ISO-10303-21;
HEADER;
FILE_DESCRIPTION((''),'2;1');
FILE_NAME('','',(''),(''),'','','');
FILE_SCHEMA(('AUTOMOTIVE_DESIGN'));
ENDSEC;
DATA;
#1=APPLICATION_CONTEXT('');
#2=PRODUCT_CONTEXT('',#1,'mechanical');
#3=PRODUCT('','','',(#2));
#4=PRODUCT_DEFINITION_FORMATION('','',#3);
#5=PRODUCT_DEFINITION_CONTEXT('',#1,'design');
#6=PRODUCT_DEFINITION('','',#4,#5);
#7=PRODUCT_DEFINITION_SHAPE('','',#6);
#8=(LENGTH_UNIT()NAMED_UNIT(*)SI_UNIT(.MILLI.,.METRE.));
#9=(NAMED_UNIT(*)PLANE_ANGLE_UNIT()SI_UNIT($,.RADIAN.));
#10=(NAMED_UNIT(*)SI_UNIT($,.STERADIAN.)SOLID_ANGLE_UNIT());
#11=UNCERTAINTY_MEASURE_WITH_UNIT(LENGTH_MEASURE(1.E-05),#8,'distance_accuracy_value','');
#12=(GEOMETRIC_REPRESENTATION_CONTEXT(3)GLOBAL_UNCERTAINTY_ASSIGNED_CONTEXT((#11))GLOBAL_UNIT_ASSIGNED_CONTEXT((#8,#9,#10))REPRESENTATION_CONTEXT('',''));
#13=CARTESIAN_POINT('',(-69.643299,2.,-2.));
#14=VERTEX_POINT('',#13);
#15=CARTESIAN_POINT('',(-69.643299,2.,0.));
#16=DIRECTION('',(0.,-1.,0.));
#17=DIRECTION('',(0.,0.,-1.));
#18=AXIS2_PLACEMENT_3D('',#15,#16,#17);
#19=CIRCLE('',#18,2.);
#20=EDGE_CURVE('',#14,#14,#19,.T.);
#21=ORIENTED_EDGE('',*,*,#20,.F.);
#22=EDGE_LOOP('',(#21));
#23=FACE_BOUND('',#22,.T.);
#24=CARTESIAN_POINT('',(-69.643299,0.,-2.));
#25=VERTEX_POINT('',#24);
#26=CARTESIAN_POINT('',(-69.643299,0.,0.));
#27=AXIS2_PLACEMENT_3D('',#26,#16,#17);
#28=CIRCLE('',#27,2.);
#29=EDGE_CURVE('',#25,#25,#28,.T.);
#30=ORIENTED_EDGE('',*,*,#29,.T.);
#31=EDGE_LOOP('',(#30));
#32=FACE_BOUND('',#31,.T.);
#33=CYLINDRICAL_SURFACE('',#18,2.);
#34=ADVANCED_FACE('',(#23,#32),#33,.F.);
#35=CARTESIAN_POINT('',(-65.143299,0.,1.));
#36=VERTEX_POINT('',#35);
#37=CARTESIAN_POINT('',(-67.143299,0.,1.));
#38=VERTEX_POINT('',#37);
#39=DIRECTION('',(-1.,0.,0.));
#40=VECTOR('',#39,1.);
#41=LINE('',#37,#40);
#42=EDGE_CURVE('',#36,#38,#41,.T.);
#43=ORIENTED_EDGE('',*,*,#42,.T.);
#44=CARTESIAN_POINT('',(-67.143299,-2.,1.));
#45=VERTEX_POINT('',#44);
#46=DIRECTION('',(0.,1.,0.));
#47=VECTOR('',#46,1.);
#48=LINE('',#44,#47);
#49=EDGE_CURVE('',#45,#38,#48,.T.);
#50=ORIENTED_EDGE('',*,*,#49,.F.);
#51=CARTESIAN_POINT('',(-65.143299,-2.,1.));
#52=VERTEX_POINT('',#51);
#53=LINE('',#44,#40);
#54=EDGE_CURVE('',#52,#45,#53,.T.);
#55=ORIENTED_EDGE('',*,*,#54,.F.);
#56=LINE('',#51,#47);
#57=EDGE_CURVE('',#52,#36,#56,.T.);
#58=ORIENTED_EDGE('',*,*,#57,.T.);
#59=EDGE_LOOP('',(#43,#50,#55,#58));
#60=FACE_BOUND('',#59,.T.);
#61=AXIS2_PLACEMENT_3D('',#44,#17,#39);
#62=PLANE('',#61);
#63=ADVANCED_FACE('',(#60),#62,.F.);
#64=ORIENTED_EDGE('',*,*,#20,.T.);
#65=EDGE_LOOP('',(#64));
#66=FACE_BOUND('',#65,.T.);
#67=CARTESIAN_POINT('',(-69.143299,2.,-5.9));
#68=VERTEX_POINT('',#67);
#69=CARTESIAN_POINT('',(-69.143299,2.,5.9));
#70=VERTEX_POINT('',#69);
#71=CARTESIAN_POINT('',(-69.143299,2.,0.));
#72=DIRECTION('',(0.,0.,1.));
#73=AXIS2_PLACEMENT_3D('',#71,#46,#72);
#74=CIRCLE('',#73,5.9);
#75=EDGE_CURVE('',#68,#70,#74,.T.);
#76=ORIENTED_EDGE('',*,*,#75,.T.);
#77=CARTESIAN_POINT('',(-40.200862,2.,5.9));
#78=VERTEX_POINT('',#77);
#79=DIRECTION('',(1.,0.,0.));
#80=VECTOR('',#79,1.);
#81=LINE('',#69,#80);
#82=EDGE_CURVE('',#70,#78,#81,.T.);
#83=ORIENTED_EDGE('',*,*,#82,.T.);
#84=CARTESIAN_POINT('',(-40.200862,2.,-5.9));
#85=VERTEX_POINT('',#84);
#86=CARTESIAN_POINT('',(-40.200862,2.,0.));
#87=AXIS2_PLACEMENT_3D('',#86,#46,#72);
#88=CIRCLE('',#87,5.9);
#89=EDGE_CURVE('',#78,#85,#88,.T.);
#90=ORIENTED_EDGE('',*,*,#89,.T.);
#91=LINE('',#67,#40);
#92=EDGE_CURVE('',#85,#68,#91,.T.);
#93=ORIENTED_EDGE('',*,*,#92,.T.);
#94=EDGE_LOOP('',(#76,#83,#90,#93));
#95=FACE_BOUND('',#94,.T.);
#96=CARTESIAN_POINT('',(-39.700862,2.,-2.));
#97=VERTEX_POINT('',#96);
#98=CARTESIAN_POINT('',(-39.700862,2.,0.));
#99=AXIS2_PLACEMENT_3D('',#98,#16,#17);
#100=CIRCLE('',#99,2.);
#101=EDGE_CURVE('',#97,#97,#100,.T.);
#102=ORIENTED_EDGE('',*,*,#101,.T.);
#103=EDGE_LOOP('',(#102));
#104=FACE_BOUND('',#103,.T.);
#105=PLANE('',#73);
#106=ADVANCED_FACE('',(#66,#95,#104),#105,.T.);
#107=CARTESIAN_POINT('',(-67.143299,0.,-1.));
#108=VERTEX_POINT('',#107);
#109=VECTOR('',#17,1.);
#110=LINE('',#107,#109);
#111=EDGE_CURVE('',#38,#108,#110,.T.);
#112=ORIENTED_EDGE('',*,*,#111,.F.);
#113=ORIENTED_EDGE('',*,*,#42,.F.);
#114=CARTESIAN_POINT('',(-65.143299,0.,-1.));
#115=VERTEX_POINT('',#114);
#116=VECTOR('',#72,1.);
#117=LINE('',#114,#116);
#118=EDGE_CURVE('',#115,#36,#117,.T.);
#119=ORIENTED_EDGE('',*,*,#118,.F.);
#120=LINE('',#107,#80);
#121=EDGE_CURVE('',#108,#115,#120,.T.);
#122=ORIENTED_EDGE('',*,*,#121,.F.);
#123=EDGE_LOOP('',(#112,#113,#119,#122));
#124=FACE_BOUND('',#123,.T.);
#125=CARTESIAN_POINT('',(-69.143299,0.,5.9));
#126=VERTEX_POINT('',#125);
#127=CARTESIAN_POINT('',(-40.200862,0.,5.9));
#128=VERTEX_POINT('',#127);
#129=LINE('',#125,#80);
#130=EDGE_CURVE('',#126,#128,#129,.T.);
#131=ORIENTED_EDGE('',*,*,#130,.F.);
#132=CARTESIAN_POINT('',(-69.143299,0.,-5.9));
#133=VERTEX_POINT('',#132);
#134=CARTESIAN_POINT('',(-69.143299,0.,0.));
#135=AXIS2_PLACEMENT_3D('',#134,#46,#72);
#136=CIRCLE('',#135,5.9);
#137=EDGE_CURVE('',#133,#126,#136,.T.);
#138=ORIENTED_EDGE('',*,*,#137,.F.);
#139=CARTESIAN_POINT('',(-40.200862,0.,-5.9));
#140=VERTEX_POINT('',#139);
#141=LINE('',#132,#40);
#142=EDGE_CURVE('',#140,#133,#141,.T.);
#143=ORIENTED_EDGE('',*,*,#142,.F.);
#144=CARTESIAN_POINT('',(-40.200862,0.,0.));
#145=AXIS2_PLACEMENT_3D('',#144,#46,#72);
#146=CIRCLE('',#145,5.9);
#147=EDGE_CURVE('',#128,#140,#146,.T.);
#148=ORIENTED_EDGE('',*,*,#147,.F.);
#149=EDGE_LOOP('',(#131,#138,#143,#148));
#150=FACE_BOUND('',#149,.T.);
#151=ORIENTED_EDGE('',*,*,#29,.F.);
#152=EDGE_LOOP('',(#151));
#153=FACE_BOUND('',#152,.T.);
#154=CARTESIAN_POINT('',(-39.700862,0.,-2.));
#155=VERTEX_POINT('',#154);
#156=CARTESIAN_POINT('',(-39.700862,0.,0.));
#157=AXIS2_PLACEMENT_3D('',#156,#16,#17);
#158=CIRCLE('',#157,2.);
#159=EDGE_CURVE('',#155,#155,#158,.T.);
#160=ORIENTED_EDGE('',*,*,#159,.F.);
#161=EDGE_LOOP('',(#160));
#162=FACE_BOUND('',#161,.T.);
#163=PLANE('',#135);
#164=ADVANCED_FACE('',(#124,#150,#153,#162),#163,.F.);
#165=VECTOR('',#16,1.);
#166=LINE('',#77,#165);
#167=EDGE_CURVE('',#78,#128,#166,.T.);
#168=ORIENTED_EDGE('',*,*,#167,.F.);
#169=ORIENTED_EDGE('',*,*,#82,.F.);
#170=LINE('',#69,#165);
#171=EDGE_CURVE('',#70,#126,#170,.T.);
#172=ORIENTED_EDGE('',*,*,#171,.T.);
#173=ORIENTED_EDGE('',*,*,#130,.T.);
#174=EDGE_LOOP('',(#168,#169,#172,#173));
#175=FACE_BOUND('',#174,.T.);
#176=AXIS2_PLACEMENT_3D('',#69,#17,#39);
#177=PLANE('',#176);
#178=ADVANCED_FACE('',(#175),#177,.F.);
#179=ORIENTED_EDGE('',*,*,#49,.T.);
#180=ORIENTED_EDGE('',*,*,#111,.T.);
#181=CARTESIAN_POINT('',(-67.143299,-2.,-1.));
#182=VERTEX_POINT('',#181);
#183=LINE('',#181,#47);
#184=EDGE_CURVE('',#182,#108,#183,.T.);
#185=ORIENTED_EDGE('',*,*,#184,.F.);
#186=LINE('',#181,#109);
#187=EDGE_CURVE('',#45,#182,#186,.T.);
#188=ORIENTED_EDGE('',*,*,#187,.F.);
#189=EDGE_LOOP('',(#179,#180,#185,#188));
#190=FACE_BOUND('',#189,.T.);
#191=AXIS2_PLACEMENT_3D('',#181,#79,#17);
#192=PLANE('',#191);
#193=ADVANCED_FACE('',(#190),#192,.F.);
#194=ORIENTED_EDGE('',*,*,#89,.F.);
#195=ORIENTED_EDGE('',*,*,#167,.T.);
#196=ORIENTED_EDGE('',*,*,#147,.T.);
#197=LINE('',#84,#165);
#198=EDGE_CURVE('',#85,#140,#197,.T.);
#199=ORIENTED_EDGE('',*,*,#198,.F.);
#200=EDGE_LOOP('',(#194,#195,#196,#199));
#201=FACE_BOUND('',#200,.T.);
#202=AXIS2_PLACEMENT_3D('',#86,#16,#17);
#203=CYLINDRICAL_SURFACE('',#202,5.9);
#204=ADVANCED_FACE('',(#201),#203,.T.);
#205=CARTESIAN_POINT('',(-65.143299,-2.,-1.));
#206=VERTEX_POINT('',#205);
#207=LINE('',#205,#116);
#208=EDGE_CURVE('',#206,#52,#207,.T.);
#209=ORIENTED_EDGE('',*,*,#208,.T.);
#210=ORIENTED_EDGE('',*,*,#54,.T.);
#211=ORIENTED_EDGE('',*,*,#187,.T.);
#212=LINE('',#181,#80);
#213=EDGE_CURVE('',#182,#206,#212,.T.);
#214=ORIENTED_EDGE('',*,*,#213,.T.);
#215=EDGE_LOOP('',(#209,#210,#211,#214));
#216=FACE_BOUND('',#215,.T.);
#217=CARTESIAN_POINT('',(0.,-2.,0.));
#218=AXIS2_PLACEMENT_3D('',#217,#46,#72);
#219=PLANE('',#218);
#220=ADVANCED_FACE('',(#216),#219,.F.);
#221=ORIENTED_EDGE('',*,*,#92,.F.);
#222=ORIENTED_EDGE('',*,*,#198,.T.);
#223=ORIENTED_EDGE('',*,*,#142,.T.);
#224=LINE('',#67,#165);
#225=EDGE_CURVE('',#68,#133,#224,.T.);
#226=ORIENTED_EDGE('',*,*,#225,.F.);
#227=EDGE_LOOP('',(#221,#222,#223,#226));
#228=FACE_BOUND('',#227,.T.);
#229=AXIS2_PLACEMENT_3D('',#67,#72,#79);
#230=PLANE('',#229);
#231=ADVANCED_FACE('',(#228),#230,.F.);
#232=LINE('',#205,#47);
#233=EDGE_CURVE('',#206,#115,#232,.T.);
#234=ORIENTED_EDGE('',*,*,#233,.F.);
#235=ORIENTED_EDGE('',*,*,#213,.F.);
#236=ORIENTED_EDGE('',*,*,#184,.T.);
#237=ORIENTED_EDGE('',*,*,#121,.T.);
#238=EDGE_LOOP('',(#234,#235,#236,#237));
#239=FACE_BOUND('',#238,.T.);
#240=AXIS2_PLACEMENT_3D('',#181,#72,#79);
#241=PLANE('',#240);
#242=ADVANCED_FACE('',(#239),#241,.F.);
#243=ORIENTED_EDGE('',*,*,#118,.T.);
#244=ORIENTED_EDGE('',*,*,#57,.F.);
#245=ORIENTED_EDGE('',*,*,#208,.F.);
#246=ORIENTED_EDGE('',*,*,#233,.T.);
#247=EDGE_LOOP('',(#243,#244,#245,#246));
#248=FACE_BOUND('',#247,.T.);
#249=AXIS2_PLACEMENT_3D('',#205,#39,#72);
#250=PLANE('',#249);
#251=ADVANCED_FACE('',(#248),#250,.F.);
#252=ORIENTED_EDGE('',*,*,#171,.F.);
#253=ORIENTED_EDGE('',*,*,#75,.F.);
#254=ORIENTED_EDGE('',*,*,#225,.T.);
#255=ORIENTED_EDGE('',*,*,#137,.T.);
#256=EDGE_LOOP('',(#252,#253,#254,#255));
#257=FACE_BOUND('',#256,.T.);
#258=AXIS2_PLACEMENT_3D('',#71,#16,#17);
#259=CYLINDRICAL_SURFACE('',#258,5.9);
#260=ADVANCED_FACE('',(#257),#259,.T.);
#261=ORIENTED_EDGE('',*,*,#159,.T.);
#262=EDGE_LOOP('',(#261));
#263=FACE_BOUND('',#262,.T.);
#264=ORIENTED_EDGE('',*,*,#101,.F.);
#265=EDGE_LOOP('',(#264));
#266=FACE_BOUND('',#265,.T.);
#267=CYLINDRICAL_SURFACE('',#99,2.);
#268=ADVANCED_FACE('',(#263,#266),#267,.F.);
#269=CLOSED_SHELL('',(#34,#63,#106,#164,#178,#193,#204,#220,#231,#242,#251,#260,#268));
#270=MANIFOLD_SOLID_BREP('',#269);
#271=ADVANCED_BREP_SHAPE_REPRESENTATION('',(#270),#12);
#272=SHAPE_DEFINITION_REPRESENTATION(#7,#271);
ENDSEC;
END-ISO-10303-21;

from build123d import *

# Parameters (mm, degrees)
BOSS_EXTRUDE1_DEPTH = 2
SKETCH5_R           = 2
CUT_EXTRUDE1_DEPTH  = 76.301439031
SKETCH6_W           = 2
SKETCH6_H           = 2
BOSS_EXTRUDE2_DEPTH = 2


with BuildPart() as part:
    # Sketch4 → Boss-Extrude1 (new body)
    with BuildSketch(Plane(origin=(0, 0, 0), x_dir=(1, 0, 0), z_dir=(0, 1, 0))):
        with BuildLine():
            Line((-69.143298969, 5.9), (-40.200862119, 5.9))
            ThreePointArc((-40.200862119, 5.9), (-34.300862119, 0), (-40.200862119, -5.9))
            Line((-40.200862119, -5.9), (-69.143298969, -5.9))
            ThreePointArc((-69.143298969, -5.9), (-75.043298969, 0), (-69.143298969, 5.9))
        make_face()
    extrude(amount=BOSS_EXTRUDE1_DEPTH)

    # Sketch5 → Cut-Extrude1 (cut, through all)
    with BuildSketch(Plane.XZ):
        with Locations(Location((-39.700862119, 0, 0), (0, 0, 270))):
            Circle(SKETCH5_R)
        with Locations(Location((-69.643298969, 0, 0), (0, 0, 270))):
            Circle(SKETCH5_R)
    extrude(amount=-CUT_EXTRUDE1_DEPTH, mode=Mode.SUBTRACT)

    # Sketch6 → Boss-Extrude2 (add)
    with BuildSketch(Plane.XZ):
        with Locations((-66.143298969, 0)):
            Rectangle(SKETCH6_W, SKETCH6_H)
    extrude(amount=BOSS_EXTRUDE2_DEPTH)


solid = part.part
